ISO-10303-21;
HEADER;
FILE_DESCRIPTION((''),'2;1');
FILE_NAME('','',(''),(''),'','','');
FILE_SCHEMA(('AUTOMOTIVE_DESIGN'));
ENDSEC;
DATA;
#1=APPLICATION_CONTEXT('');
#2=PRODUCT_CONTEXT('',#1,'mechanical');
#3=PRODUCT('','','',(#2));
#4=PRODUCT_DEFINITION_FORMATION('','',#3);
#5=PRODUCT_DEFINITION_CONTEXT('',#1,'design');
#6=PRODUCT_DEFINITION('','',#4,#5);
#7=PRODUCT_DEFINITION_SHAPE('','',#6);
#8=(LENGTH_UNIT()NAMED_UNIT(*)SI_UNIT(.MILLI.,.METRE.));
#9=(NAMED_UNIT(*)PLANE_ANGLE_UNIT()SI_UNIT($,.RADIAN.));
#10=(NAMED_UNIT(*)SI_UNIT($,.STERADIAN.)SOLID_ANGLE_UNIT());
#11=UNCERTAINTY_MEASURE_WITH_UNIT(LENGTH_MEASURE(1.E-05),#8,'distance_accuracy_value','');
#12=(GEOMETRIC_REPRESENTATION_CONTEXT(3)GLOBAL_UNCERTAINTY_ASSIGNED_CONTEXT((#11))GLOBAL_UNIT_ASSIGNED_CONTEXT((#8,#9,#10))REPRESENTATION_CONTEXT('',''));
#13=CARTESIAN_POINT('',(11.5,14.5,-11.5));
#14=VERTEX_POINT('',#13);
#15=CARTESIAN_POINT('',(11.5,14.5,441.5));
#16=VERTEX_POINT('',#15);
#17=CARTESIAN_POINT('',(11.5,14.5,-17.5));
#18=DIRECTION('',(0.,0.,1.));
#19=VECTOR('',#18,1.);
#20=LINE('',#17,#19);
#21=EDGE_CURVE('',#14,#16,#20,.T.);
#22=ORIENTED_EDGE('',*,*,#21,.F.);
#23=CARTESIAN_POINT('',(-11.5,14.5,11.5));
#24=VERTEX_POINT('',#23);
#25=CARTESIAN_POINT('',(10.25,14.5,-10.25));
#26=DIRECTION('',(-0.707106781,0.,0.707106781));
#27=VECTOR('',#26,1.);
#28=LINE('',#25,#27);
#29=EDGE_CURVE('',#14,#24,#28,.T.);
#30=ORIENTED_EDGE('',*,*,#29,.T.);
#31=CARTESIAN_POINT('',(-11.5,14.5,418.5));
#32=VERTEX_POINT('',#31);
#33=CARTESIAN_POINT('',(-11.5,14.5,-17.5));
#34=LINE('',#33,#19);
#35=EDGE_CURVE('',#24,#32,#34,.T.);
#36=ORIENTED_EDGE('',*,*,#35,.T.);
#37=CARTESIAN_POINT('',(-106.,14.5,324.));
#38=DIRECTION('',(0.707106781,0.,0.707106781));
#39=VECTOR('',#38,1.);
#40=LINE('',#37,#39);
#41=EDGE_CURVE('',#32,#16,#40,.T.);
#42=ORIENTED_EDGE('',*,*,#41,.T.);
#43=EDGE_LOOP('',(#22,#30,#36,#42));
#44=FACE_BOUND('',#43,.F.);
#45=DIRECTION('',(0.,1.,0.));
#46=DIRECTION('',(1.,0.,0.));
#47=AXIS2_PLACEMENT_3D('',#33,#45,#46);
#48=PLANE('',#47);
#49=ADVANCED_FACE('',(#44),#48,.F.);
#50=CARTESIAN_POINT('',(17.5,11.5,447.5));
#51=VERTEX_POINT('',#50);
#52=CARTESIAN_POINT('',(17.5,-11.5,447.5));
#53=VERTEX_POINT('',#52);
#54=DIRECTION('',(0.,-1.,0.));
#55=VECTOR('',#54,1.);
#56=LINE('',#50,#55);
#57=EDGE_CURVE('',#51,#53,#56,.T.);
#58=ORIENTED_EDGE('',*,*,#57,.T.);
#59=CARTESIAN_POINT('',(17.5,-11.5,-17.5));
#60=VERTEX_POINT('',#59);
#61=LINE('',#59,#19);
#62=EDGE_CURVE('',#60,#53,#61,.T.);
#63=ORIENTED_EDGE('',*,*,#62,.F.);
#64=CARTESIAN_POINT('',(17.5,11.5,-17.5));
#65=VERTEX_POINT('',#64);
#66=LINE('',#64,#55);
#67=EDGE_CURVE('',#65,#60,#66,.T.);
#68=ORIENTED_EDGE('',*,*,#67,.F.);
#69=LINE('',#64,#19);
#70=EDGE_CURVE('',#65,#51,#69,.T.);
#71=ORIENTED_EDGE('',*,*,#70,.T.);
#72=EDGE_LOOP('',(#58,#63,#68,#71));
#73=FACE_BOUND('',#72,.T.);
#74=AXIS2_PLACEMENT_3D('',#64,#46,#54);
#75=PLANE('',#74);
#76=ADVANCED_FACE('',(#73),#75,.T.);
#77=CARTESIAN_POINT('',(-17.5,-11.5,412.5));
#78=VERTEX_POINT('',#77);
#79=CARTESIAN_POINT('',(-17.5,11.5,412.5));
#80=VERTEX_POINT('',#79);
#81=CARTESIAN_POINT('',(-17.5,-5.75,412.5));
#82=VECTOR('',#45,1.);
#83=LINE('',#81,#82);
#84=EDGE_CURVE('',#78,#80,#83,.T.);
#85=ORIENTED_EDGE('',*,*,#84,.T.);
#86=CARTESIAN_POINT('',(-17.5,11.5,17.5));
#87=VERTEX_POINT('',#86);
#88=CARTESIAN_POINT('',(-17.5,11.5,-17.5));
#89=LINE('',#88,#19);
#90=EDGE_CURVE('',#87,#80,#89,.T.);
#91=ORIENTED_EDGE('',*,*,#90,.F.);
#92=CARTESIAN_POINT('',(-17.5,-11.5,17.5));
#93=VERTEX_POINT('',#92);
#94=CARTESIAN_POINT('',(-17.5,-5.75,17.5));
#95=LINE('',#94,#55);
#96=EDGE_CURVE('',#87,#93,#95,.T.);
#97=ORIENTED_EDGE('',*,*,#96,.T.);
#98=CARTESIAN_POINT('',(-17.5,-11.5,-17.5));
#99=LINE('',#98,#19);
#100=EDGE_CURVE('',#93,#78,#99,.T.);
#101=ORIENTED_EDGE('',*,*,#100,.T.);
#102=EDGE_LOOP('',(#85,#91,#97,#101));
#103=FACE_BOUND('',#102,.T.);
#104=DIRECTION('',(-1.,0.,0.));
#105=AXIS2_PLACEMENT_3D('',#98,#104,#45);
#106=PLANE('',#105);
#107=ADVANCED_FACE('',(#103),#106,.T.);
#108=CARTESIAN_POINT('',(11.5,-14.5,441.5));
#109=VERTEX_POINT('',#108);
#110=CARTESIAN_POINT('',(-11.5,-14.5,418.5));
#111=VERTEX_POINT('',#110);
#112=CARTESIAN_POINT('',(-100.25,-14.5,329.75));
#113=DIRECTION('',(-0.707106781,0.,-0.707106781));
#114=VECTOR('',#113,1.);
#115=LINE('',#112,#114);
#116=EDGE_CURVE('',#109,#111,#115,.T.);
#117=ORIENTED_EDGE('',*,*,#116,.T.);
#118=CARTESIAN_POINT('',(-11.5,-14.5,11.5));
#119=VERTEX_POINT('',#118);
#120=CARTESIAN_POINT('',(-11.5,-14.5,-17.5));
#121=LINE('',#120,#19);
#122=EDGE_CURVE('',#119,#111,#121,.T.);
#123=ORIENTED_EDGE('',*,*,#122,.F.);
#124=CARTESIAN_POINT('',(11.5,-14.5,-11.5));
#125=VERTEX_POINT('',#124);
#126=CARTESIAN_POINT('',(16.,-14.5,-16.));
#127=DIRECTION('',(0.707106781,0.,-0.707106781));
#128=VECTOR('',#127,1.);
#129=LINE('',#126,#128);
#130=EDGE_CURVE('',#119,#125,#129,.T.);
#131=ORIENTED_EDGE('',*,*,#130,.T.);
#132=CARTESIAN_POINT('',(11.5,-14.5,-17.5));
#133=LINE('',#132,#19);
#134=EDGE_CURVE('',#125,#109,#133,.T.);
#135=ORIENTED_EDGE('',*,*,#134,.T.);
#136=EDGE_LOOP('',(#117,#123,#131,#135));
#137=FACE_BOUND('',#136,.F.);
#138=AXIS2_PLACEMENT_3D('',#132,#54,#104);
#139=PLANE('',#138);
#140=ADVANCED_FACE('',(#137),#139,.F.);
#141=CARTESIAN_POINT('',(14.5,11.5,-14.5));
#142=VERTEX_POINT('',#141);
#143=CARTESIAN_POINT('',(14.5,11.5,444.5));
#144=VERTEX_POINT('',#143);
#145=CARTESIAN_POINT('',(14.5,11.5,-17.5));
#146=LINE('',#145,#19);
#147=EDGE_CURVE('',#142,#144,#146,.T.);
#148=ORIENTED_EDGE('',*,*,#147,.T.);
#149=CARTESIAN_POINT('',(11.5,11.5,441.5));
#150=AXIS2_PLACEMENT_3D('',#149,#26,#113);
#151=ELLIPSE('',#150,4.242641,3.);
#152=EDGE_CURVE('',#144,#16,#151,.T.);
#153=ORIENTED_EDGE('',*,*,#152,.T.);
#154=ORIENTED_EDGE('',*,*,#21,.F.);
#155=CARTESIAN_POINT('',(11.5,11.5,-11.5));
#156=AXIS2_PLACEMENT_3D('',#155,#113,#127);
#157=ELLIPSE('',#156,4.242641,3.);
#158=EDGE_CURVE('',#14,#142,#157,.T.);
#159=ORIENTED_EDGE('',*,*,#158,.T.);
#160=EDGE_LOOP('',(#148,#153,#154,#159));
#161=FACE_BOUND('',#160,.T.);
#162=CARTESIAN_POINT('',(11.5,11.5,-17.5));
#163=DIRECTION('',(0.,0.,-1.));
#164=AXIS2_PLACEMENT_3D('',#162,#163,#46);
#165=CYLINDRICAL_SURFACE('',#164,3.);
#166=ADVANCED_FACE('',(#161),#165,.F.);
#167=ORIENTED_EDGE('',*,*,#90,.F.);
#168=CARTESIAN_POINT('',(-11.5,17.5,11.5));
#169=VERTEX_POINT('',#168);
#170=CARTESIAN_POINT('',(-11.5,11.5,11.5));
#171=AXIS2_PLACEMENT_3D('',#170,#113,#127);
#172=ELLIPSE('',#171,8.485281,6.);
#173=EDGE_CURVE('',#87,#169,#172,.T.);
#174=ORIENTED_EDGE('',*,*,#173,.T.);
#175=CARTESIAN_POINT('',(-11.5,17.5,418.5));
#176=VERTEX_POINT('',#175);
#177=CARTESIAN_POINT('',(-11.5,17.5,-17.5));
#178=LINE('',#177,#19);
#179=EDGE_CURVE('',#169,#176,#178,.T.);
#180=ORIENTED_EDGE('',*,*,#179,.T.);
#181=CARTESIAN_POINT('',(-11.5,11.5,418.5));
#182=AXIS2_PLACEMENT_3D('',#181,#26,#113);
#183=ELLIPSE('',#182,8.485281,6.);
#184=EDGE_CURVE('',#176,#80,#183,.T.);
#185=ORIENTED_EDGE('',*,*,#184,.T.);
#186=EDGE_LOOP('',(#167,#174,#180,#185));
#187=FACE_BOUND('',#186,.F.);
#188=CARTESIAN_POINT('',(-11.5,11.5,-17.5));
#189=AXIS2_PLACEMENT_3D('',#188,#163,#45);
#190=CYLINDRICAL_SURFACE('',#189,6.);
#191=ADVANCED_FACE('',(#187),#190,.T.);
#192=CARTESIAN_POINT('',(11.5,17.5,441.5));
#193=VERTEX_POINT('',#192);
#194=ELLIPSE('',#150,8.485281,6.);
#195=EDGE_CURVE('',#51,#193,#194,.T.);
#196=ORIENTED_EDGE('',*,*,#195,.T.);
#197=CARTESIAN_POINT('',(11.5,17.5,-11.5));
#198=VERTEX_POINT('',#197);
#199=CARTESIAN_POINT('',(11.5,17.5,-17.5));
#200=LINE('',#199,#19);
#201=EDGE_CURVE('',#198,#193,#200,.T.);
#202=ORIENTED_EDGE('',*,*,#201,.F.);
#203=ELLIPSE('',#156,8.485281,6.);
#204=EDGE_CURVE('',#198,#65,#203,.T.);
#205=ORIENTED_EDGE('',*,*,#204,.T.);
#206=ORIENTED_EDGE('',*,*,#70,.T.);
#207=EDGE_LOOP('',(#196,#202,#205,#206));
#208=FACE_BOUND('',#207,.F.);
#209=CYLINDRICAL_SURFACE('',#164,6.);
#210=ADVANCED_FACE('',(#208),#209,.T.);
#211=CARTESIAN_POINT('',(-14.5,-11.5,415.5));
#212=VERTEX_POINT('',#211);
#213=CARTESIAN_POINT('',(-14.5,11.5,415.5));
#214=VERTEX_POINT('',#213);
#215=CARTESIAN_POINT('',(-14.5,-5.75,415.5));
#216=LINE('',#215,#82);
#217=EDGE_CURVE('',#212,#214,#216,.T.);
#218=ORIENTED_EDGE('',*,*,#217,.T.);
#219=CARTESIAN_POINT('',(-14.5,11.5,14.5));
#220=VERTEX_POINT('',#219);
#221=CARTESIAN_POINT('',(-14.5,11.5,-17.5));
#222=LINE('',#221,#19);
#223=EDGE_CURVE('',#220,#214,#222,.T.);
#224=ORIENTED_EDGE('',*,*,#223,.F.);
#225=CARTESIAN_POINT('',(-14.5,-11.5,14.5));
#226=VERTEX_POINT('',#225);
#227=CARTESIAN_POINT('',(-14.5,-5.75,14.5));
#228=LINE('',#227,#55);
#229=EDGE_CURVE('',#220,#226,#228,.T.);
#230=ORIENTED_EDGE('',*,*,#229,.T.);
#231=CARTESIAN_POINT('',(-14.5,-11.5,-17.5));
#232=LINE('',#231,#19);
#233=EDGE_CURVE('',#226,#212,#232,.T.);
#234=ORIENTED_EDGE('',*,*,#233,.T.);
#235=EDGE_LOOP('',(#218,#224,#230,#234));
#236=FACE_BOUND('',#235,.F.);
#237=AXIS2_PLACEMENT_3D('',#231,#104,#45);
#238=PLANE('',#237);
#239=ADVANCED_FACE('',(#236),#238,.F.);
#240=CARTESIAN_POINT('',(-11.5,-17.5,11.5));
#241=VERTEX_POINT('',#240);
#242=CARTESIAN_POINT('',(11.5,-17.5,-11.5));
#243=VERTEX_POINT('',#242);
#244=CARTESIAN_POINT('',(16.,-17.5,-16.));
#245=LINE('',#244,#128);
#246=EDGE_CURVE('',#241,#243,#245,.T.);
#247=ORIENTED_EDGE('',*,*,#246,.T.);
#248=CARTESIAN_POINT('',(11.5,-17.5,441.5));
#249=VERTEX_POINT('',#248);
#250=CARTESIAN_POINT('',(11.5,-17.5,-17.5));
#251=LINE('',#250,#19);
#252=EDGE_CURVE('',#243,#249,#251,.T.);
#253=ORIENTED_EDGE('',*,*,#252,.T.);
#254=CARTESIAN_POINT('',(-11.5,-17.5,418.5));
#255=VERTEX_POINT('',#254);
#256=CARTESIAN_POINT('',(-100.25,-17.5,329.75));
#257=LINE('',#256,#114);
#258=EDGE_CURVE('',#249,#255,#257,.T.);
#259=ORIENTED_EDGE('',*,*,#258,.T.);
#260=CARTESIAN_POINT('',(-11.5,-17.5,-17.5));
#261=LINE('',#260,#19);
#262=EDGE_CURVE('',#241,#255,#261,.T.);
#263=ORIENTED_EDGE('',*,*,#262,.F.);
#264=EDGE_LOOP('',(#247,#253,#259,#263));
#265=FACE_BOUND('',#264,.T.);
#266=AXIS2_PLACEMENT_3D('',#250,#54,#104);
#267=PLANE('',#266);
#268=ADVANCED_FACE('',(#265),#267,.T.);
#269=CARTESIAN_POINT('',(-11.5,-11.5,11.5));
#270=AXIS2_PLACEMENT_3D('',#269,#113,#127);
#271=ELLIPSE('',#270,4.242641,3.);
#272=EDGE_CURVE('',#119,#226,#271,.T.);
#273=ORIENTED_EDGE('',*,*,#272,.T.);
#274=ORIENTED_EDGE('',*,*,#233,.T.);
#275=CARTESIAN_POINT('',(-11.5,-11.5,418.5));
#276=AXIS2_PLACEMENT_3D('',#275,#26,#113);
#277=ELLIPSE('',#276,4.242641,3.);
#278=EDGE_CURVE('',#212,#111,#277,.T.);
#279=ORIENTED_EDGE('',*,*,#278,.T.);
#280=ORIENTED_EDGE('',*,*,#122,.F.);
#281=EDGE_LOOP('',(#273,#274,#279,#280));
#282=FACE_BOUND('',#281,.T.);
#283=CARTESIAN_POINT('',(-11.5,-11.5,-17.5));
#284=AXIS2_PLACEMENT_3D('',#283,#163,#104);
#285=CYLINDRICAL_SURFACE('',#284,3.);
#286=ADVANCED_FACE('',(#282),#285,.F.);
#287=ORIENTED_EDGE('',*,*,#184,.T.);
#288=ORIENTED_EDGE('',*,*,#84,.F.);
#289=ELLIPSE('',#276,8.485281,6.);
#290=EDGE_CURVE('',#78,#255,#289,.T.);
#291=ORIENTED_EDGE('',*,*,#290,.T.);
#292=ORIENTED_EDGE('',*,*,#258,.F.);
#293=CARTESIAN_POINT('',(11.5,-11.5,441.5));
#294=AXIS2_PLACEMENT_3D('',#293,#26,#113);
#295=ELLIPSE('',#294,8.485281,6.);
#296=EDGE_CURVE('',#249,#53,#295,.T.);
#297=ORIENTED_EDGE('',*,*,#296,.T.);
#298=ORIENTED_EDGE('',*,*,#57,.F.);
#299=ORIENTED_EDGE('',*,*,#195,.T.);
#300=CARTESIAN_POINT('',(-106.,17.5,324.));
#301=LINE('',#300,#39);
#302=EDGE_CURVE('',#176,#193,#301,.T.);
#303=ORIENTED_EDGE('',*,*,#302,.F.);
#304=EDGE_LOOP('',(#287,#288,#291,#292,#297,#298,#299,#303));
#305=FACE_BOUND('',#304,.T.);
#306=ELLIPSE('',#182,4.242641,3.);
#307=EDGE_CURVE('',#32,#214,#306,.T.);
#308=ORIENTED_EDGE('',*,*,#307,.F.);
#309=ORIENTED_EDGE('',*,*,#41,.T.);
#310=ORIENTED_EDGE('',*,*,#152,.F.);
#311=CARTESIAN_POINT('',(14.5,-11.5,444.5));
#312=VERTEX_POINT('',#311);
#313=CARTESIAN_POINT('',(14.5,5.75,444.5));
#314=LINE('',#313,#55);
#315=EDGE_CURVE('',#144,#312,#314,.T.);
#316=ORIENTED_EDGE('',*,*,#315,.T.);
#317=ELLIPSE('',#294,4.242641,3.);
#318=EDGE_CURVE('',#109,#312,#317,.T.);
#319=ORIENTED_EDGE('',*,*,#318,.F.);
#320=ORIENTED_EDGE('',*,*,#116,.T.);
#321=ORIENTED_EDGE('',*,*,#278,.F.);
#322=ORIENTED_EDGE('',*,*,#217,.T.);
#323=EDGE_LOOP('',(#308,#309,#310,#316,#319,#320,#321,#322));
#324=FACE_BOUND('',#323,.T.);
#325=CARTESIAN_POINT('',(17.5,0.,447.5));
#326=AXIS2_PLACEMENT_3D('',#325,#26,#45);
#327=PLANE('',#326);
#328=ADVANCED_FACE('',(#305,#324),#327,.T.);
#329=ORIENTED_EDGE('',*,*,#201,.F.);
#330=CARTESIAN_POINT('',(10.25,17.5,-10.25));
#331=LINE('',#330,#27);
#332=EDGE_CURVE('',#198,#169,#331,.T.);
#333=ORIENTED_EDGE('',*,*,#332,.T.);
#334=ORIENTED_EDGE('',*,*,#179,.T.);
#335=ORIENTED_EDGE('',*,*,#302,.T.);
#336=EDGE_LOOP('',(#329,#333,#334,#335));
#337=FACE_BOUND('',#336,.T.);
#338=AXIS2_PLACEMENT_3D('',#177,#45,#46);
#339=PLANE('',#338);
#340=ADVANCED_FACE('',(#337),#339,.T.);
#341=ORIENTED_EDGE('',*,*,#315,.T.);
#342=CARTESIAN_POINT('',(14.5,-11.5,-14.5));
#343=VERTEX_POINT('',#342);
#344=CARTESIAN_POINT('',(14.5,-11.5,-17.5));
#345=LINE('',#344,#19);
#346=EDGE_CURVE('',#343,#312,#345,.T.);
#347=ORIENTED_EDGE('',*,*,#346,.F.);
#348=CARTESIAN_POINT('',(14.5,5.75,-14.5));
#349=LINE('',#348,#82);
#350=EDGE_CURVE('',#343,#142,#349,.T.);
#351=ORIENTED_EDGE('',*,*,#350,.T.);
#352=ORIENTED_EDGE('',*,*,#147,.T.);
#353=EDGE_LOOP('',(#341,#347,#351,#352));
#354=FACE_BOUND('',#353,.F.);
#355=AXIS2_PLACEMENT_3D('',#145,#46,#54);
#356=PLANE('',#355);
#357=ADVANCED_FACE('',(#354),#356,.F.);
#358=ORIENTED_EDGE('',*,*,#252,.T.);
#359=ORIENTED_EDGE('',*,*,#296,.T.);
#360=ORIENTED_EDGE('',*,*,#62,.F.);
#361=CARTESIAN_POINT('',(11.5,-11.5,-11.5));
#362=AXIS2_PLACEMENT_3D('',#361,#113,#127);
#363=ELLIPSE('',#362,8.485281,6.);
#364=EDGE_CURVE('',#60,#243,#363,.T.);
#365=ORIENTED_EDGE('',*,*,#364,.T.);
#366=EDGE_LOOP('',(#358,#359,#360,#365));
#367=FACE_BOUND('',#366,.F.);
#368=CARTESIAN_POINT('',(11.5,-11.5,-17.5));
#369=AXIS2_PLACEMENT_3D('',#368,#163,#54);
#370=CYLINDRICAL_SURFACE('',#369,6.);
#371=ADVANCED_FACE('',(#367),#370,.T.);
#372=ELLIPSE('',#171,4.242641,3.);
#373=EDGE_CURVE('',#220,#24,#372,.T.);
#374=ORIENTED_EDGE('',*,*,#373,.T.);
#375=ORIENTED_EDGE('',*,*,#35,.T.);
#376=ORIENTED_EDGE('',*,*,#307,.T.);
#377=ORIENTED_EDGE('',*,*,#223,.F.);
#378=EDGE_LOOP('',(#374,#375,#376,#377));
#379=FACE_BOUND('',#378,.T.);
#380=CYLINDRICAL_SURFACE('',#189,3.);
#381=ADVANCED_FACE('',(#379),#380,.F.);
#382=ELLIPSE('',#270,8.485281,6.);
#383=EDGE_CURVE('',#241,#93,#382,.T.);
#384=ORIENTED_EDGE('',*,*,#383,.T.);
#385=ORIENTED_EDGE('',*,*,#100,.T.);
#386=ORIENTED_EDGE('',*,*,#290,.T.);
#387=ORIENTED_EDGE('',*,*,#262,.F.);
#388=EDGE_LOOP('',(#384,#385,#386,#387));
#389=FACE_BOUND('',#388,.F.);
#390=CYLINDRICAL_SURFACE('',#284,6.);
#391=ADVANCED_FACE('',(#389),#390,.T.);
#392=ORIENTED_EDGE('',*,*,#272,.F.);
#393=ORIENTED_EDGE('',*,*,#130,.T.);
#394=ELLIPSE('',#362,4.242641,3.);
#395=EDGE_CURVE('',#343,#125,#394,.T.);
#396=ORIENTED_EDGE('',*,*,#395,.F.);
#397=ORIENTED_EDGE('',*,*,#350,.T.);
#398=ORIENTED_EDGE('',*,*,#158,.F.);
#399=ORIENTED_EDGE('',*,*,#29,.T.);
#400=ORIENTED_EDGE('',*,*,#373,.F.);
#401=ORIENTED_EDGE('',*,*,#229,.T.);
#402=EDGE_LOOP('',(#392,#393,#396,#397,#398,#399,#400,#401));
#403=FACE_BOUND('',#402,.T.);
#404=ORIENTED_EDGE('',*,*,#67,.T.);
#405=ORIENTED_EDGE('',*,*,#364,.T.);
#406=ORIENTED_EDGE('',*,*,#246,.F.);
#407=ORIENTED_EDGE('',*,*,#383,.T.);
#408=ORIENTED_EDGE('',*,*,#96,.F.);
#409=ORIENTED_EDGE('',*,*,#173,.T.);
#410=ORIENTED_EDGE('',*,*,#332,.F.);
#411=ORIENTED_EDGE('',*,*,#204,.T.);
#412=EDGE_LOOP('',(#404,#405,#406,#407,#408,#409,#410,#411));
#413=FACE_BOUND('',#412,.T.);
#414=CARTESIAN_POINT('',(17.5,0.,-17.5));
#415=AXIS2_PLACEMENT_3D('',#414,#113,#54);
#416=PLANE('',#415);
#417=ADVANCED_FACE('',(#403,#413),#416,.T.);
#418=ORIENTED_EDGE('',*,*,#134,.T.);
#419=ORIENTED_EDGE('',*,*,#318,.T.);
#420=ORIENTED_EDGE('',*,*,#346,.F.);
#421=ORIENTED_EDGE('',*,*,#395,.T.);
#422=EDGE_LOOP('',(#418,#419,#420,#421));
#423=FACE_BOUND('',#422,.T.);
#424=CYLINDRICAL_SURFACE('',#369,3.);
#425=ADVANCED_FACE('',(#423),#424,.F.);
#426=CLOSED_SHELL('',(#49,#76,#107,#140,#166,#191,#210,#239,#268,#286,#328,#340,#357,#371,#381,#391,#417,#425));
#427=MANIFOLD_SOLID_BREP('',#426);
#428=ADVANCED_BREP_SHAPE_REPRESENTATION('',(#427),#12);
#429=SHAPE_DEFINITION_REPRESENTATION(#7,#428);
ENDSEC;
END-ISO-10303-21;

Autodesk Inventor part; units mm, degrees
ref_plane "Start plane" through (0, 0, -17.5) normal (0, 0, 1) x (1, 0, 0)
ref_plane "End plane" through (0, 0, 447.5) normal (0, 0, 1) x (1, 0, 0)
sketch "Sketch" plane through (0, 0, 0) normal (0, 0, 1) x (1, 0, 0)
  line L0 (-17.5, -11.5) -> (-17.5, 11.5)
  line L1 (-11.5, 17.5) -> (11.5, 17.5)
  line L2 (17.5, 11.5) -> (17.5, -11.5)
  line L3 (11.5, -17.5) -> (-11.5, -17.5)
  arc A0 (-17.5, -11.5) -> (-11.5, -17.5) centre (-11.5, -11.5) ccw
  arc A1 (-11.5, 17.5) -> (-17.5, 11.5) centre (-11.5, 11.5) ccw
  arc A2 (17.5, 11.5) -> (11.5, 17.5) centre (11.5, 11.5) ccw
  arc A3 (11.5, -17.5) -> (17.5, -11.5) centre (11.5, -11.5) ccw
  arc A4 (-11.5, 14.5) -> (-14.5, 11.5) centre (-11.5, 11.5) ccw
  line L4 (-11.5, 14.5) -> (11.5, 14.5)
  arc A5 (14.5, 11.5) -> (11.5, 14.5) centre (11.5, 11.5) ccw
  line L5 (14.5, 11.5) -> (14.5, -11.5)
  arc A6 (11.5, -14.5) -> (14.5, -11.5) centre (11.5, -11.5) ccw
  line L6 (11.5, -14.5) -> (-11.5, -14.5)
  arc A7 (-14.5, -11.5) -> (-11.5, -14.5) centre (-11.5, -11.5) ccw
  line L7 (-14.5, -11.5) -> (-14.5, 11.5)
  line L8 (0, 25.4278) -> (0, -25.4278) construction
  line L9 (-25.4278, 0) -> (25.4278, 0) construction
  dimension "d7" = 6
  dimension "d10" = 35
  dimension "d11" = 35
  dimension "d12" = 3
  dimension "d15" = 17.5
  dimension "d16" = 17.5
extrude "Body" add sketch "Sketch" along normal up to surface (465 mm away) from surface at -17.5
sketch "Sketch3" plane through (0, 0, 0) normal (0, 0, 1) x (1, 0, 0)
  line L0 (0, 0) -> (10, 0)
ref_plane "Work Plane3" through (0, 0, 0) normal (0, -1, 0) x (1, 0, 0)
sketch "Sketch4" plane through (0, 0, 0) normal (0, -1, 0) x (1, 0, 0)
  line L0 (-2, -17.5) -> (12, -17.5)
  line L1 (-2, 447.5) -> (12, 447.5)
  dimension "d18" = 465
ref_plane "Work Plane5" through (17.5, 0, 447.5) normal (-0.7071, 0, 0.7071) x (0.7071, 0, 0.7071)
split "Split2" plane through (17.5, 0, 447.5) removes the side toward (-0.7071, 0, 0.7071)
ref_plane "Work Plane12" through (0, 180, -17.5) normal (0, 0, -1) x (-1, 0, 0)
split "Split6" plane through (0, 180, -17.5) removes the side toward (0, 0, -1)
ref_plane "Work Plane13" through (17.5, 0, -17.5) normal (-0.7071, 0, -0.7071) x (-0.7071, 0, 0.7071)
split "Split7" plane through (17.5, 0, -17.5) removes the side toward (-0.7071, 0, -0.7071)
equation "\"d7\" = G_IR"
equation "\"d10\" = G_H"
equation "\"d11\" = G_W"
equation "\"d12\" = G_T"
equation "\"d15\" = 0.5 * d10"
equation "\"d16\" = 0.5 * d11"
equation "\"d3\" = G_L"
equation "\"G_W\" = 35"
equation "\"G_H\" = 35"
equation "\"G_T\" = 3"
equation "\"G_IR\" = 6"
equation "\"G_L\" = d18"
equation "\"G_OFFSET_START\" = 17.5"
equation "\"G_OFFSET_END\" = 17.5"
equation "\"d13\" = -G_OFFSET_START"
equation "\"d14\" = G_OFFSET_END + B_L"
equation "\"B_L\" = 430"
properties part number "AS 1163 - C350L0 35x35x3.0 SHS - 465" material "Steel, Mild"
